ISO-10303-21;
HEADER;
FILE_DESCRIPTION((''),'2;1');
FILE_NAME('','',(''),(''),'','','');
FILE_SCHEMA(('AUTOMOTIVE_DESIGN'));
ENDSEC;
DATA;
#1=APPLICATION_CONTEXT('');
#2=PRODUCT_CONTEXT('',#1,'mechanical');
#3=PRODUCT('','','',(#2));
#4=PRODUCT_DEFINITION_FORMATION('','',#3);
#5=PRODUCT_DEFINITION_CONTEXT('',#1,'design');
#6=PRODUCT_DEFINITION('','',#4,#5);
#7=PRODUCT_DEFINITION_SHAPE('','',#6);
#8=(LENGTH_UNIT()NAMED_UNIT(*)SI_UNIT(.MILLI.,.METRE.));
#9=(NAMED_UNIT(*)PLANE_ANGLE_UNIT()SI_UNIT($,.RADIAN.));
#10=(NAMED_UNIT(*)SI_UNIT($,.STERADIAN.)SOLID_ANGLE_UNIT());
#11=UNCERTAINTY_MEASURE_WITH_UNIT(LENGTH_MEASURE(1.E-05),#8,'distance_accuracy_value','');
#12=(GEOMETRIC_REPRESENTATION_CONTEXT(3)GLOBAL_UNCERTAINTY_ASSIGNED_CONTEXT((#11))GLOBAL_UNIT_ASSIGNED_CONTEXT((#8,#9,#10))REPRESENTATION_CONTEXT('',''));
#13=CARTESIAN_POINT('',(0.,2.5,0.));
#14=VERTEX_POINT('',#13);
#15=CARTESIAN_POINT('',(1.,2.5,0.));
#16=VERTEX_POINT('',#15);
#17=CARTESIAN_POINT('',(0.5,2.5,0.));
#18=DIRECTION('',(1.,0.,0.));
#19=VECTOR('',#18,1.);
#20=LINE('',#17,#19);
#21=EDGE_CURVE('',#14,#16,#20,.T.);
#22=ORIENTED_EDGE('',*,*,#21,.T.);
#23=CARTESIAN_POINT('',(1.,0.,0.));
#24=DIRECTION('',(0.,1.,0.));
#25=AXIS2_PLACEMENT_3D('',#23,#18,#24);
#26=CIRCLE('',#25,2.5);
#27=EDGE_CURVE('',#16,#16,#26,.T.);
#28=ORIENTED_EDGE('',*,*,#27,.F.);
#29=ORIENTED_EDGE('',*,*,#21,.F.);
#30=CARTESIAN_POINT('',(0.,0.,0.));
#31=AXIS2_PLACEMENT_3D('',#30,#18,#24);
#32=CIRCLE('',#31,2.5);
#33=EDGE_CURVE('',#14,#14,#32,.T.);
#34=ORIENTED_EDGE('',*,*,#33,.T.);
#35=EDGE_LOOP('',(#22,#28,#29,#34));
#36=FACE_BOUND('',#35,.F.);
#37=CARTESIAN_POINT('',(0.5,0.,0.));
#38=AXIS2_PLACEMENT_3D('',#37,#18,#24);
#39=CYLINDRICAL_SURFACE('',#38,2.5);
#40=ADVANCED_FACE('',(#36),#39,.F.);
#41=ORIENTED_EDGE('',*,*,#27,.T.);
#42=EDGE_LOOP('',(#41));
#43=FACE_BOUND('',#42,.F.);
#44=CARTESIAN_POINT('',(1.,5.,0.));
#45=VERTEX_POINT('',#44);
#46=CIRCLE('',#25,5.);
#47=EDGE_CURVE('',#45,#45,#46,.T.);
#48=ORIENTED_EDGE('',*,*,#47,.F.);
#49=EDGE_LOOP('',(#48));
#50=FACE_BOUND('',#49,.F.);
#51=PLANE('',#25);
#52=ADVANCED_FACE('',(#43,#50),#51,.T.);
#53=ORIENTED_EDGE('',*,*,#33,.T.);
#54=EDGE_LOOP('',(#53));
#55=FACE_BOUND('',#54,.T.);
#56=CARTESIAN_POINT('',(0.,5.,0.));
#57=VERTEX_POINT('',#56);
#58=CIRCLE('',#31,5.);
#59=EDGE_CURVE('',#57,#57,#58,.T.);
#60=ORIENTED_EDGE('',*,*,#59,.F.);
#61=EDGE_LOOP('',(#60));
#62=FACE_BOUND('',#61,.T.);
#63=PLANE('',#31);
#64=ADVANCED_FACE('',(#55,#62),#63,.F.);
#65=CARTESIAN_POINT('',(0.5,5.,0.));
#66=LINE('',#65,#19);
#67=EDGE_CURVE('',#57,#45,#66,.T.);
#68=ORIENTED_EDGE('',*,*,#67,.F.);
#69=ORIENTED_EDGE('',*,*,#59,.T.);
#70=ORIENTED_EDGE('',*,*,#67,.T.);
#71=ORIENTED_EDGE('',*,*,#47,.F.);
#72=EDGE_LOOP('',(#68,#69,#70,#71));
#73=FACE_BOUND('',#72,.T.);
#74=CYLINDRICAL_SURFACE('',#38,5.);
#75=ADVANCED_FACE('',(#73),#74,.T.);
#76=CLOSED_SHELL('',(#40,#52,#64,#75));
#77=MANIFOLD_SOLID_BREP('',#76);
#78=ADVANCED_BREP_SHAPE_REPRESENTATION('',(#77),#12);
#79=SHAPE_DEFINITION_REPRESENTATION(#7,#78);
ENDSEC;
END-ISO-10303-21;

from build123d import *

# Parameters (mm, degrees)
SKETCH1_W = 1
SKETCH1_H = 2.5


with BuildPart() as part:
    # Sketch1 → Revolve1 (revolve)
    with BuildSketch(Plane.XY):
        with Locations((0.5, 3.75)):
            Rectangle(SKETCH1_W, SKETCH1_H)
    revolve(axis=Axis((-0.05, 0, 0), (1, 0, 0)))


solid = part.part
